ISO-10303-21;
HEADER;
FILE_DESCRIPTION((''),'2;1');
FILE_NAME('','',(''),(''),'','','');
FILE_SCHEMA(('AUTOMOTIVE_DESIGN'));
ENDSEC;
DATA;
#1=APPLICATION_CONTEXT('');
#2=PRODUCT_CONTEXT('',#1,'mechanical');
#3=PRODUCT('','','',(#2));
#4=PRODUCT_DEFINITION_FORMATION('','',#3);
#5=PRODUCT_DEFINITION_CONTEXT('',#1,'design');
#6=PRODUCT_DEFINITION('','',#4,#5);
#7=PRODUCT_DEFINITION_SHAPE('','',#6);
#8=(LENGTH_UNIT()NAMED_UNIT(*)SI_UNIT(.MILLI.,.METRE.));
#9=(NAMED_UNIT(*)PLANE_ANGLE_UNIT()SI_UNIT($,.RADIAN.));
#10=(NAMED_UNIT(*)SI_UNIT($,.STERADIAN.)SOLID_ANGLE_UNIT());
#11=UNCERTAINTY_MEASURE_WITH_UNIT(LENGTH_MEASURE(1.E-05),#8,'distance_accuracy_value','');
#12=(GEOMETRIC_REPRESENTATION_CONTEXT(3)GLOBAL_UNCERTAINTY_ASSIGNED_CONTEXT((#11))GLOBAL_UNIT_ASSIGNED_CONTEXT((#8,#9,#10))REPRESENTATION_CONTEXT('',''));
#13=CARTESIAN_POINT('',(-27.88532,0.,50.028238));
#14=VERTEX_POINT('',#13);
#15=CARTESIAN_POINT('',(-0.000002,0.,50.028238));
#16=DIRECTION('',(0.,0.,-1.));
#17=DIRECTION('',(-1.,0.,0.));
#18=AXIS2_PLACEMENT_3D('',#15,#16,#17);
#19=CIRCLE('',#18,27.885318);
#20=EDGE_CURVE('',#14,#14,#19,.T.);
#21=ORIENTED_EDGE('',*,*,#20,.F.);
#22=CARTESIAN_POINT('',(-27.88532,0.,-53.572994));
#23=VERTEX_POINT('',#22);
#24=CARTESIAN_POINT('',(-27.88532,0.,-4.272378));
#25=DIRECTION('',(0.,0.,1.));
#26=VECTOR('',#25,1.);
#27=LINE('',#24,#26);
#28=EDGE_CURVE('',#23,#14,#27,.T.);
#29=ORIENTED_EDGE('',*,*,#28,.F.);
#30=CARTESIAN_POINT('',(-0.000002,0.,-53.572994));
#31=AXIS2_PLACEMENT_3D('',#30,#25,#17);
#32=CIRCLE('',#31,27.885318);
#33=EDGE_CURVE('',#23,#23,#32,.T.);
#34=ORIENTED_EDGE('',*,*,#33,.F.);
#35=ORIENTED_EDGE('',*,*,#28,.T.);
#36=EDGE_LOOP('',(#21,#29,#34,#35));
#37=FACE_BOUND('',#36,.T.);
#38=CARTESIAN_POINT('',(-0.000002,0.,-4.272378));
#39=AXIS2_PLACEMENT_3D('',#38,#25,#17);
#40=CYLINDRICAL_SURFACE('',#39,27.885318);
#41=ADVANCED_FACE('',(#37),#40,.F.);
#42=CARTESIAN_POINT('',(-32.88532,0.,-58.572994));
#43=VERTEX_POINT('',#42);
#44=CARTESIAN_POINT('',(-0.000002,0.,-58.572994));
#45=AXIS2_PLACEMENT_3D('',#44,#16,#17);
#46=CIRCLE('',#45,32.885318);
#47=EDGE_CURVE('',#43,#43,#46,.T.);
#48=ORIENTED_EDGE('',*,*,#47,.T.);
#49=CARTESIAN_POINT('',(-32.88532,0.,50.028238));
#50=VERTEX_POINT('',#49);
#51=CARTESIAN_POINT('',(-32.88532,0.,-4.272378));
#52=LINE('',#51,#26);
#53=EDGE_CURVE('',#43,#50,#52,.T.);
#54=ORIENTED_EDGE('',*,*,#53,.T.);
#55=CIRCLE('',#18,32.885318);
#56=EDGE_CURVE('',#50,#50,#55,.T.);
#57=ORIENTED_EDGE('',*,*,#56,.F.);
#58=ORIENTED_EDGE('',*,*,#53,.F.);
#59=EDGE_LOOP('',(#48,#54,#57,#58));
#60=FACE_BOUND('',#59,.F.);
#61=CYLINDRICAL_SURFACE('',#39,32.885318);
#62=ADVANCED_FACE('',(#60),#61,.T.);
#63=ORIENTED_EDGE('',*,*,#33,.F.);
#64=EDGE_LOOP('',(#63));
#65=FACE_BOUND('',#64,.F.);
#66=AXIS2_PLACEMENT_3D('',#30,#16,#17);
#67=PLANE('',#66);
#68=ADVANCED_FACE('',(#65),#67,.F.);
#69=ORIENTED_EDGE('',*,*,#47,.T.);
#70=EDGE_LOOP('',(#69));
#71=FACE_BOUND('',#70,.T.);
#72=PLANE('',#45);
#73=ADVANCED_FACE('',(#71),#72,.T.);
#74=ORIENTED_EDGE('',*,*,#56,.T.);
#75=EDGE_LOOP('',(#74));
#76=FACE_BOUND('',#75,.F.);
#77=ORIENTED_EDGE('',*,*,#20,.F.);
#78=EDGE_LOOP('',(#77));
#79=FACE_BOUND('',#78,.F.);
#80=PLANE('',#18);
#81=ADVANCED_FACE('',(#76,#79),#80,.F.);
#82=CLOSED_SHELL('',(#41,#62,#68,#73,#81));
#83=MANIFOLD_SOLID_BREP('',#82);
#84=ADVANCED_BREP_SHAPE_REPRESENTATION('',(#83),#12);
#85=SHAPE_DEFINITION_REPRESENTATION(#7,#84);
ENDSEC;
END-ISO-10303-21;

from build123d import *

# Parameters (mm, degrees)
F0_W = 32.885318
F0_H = 108.601231
F2_T = -5


with BuildPart() as f1:
    # F0 (on Front) → F1 (revolve)
    with BuildSketch(Plane.XZ):
        with Locations((-16.442661, -4.272378)):
            Rectangle(F0_W, F0_H)
    revolve(axis=Axis((-2e-06, 0, -4.272377), (0, 0, -1)))

    # F2
    f2_openings = [f1.faces().sort_by_distance(p)[0] for p in [
        (-2e-06, 0, 50.028238),
    ]]
    offset(amount=F2_T, openings=f2_openings)


solid = f1.part
